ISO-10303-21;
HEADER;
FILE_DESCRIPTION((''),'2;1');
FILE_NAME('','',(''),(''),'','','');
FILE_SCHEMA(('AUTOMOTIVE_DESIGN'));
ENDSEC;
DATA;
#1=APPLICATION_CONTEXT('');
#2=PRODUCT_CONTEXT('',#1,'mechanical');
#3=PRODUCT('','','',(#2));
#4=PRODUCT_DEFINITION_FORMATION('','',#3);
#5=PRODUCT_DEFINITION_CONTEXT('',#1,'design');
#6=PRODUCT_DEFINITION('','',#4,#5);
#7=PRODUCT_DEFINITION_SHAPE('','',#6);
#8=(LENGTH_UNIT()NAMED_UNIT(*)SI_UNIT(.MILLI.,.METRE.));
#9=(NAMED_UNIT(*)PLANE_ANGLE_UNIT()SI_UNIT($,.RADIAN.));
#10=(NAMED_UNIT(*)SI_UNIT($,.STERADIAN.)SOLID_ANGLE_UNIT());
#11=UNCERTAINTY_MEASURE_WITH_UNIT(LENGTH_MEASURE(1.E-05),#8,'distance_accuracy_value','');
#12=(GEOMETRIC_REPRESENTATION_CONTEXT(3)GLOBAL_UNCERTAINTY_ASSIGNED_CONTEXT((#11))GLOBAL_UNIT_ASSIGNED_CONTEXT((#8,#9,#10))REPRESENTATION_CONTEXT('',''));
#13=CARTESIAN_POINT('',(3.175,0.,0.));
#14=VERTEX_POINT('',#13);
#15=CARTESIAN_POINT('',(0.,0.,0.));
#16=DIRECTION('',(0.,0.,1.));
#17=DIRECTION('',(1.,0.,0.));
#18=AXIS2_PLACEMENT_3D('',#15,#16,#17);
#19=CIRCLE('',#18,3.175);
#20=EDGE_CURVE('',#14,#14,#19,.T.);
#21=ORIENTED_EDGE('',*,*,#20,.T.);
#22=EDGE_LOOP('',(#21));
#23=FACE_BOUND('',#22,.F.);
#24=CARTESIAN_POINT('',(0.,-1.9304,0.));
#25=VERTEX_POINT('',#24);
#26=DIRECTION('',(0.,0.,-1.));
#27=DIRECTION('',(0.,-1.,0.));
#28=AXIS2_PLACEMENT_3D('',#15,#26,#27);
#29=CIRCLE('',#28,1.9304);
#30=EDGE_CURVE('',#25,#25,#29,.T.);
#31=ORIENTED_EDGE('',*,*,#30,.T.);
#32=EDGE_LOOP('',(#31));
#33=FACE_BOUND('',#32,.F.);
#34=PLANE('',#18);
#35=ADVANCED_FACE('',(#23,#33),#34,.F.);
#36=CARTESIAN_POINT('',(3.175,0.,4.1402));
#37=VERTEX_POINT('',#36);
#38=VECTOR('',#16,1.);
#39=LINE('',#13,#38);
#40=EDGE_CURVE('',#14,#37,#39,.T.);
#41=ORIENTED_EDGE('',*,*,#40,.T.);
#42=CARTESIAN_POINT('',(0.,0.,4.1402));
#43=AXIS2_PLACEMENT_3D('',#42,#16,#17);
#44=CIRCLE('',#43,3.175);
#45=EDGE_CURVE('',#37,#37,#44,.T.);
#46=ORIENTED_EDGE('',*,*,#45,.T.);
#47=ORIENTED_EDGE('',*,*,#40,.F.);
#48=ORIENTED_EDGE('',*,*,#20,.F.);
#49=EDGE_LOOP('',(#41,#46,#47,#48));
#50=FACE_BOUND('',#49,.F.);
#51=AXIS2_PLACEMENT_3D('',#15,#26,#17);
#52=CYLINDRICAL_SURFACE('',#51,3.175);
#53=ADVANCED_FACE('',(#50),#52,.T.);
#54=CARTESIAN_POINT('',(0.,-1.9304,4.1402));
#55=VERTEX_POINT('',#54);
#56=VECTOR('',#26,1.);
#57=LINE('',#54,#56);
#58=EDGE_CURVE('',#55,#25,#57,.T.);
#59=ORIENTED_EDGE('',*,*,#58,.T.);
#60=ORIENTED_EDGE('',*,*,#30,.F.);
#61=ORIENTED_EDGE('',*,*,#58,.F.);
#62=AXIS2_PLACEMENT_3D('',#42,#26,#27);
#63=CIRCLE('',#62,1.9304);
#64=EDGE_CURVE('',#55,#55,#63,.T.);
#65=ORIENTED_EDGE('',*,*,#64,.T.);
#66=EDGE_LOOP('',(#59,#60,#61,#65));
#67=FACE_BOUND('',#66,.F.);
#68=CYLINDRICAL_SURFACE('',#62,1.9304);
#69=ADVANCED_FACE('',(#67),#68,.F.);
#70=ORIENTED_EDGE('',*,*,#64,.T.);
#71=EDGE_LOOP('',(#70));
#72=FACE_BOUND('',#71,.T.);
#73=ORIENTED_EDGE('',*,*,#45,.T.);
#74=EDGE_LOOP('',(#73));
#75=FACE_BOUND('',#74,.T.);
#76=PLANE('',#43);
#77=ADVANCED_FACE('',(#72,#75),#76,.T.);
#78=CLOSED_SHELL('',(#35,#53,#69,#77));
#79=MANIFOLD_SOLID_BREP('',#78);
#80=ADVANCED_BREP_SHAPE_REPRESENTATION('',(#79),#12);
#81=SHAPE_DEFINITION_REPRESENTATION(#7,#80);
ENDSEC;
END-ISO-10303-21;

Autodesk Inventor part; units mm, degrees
ref_plane "YZ Plane" through (0, 0, 0) normal (1, 0, 0) x (0, 1, 0)
ref_plane "XZ Plane" through (0, 0, 0) normal (0, 1, 0) x (-1, 0, 0)
ref_plane "XY Plane" through (0, 0, 0) normal (0, 0, 1) x (1, 0, 0)
sketch "Sketch1" plane through (0, 0, 0) normal (0, 0, 1) x (1, 0, 0)
  circle A0 centre (0, 0) radius 3.175
  dimension "d0" = 6.35
extrude "Extrusion1" add sketch "Sketch1" along normal blind 4.1402
sketch "Sketch2" plane through (0, 0, 4.1402) normal (0, 0, 1) x (1, 0, 0)
  point P0 (0, 0)
  point P1 (0, 0)
hole "Hole1" at (0, 0, 4.1402) direction (0, 0, -1) diameter 3.8608 depth 95.25 tip angle 118
properties part number "Bushing" material "Rubber"
